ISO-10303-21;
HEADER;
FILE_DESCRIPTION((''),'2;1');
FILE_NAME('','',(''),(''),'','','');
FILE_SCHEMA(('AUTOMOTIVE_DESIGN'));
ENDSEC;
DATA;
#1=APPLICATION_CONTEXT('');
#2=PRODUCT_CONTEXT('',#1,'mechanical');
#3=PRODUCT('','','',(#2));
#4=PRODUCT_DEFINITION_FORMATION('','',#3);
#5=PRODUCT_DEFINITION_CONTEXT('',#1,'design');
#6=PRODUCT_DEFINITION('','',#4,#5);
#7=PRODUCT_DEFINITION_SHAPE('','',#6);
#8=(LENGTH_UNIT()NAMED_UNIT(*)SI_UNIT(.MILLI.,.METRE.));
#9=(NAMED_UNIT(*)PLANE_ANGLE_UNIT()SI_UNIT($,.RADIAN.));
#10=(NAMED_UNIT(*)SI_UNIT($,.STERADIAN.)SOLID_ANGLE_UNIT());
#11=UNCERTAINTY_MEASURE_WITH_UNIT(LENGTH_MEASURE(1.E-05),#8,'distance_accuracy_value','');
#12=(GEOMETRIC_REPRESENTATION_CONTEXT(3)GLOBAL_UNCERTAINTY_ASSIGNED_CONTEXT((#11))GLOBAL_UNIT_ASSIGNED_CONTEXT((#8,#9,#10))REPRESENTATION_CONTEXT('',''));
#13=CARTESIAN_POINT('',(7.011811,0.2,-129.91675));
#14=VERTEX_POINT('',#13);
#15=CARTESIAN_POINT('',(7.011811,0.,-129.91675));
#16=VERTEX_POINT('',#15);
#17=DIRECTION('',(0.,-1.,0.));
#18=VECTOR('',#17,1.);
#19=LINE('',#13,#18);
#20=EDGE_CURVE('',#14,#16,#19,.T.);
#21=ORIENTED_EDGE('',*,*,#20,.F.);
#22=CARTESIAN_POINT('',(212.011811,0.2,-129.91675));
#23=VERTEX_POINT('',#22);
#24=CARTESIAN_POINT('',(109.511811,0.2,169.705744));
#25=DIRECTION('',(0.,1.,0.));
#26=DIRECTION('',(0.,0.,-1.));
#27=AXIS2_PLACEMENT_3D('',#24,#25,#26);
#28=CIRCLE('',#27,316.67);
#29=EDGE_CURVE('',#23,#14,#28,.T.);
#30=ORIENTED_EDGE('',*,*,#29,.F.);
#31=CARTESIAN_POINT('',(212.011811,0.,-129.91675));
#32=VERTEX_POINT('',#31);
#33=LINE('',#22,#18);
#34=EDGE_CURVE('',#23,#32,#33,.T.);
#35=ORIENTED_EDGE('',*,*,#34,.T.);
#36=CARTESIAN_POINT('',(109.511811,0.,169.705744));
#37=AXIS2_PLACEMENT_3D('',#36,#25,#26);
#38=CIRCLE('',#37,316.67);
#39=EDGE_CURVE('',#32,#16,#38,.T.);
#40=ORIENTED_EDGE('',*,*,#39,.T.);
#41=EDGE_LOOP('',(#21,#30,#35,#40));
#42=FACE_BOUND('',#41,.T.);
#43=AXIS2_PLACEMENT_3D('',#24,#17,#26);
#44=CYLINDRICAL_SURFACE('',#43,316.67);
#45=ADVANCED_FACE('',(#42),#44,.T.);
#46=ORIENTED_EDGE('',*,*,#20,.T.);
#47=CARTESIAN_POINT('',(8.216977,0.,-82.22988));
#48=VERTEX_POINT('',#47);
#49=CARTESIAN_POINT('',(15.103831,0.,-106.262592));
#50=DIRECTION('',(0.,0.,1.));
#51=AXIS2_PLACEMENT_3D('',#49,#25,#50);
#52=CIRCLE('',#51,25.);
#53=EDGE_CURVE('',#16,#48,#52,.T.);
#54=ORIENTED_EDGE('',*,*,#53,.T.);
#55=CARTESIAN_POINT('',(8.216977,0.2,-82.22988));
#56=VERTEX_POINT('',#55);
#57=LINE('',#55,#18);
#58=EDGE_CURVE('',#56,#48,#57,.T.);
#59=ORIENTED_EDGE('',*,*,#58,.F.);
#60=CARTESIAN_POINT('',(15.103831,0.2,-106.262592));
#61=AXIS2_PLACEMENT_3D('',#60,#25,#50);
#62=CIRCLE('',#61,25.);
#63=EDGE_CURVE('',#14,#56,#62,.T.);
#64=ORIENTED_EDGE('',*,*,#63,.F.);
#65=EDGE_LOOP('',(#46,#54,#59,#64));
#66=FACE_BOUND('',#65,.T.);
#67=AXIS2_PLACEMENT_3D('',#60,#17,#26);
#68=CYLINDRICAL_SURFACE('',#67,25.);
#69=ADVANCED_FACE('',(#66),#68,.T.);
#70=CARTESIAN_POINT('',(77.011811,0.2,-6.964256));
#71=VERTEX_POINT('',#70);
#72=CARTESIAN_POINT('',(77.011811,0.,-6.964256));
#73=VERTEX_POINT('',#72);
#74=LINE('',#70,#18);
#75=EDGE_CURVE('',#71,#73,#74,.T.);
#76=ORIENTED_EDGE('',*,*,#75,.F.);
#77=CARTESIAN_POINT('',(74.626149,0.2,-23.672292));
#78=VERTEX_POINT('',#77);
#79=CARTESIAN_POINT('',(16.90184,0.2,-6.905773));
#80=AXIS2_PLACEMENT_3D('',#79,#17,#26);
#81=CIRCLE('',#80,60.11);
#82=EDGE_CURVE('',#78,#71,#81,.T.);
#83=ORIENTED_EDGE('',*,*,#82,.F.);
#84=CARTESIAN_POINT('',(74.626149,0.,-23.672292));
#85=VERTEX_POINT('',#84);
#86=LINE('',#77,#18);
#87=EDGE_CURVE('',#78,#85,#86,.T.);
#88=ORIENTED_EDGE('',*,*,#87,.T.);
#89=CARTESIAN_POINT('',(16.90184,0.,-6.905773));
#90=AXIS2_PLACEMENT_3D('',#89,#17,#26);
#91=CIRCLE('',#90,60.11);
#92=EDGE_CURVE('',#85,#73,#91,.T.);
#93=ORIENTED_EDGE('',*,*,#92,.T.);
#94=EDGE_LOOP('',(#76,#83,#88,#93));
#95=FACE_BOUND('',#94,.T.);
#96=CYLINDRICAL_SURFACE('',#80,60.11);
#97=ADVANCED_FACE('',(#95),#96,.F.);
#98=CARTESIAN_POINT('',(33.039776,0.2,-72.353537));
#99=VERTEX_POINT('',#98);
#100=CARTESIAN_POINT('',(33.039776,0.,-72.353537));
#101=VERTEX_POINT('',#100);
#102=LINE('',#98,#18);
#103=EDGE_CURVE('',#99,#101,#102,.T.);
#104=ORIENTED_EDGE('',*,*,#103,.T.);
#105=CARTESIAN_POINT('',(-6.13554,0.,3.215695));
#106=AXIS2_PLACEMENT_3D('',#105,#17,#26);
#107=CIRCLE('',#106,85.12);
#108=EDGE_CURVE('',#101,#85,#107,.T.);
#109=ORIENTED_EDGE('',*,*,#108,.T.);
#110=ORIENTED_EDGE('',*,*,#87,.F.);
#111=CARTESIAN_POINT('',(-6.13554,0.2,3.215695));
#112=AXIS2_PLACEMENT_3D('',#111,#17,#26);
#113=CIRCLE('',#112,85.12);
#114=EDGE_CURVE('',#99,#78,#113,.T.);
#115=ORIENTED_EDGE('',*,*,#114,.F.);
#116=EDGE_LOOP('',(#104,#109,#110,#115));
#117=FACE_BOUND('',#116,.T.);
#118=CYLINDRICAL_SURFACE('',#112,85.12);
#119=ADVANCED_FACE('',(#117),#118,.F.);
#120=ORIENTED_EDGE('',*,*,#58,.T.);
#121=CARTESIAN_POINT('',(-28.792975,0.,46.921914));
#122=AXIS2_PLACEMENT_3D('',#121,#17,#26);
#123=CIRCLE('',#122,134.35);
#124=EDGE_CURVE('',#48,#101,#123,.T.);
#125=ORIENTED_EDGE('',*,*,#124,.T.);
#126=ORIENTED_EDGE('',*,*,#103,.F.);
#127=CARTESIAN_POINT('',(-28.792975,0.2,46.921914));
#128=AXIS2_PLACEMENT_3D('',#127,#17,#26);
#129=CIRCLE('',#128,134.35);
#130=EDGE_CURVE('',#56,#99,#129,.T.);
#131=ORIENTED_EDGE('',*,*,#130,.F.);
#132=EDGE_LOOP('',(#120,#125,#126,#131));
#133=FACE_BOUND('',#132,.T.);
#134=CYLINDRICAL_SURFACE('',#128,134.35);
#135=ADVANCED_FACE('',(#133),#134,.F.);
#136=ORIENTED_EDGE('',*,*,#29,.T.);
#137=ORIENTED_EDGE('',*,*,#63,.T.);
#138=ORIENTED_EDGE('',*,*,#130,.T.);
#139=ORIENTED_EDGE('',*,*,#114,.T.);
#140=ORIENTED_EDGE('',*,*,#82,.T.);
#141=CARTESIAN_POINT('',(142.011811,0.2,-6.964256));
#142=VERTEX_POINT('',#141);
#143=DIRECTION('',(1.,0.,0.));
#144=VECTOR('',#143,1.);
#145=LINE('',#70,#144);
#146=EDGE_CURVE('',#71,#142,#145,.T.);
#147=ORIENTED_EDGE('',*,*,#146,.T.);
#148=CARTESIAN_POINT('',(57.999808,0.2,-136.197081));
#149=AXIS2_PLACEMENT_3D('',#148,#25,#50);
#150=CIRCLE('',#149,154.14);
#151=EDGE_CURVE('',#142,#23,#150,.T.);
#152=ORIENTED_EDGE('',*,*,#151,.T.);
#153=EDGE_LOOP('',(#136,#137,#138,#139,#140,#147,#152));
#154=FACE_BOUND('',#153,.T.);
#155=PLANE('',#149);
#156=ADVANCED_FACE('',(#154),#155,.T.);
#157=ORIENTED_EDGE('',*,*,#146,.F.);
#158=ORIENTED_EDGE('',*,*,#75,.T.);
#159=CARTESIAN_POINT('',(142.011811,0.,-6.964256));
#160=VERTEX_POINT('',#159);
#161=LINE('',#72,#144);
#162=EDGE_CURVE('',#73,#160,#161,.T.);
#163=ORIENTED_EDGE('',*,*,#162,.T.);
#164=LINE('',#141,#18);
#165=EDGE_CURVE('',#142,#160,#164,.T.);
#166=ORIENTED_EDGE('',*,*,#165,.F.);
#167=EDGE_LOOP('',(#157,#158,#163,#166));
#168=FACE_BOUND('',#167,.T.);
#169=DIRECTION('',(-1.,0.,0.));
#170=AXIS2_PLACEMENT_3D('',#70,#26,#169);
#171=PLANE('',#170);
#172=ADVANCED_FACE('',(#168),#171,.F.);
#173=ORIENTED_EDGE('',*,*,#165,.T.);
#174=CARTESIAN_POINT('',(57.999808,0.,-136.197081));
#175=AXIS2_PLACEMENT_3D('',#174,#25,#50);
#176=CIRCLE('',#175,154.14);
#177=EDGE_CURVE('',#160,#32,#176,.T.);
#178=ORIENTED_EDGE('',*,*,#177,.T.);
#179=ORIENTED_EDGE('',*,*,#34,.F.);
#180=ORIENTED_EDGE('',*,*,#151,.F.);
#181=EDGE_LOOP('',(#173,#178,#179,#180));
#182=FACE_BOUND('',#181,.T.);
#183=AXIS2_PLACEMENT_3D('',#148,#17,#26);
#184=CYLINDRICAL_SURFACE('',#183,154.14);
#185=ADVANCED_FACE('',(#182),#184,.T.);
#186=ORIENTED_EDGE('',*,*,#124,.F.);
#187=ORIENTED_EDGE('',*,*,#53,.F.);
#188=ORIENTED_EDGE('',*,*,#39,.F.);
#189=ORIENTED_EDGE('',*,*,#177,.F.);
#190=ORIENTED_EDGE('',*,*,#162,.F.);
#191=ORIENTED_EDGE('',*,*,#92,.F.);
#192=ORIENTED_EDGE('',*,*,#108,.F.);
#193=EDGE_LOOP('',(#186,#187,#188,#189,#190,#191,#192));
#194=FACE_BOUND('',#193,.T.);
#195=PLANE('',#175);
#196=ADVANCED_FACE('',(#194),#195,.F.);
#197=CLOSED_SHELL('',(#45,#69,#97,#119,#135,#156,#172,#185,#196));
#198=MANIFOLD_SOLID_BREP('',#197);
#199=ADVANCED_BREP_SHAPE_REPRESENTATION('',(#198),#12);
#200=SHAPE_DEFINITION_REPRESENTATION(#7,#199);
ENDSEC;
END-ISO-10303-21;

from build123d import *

# Parameters (mm, degrees)
BOSS_EXTRUDE1_DEPTH = 0.2


with BuildPart() as part:
    # Sketch1 → Boss-Extrude1 (new body)
    with BuildSketch(Plane(origin=(0, 0, 0), x_dir=(1, 0, 0), z_dir=(0, 1, 0))):
        with BuildLine():
            Line((77.011811156, 6.964256389), (142.011811156, 6.964256389))
            ThreePointArc((142.011811156, 6.964256389), (191.951985459, 59.934679973), (212.011811156, 129.916750371))
            ThreePointArc((212.011811156, 129.916750371), (109.511811156, 146.964256389), (7.011811156, 129.916750371))
            ThreePointArc((7.011811156, 129.916750371), (-9.888188844, 105.630981207), (8.216977412, 82.229879978))
            ThreePointArc((8.216977412, 82.229879978), (20.874474734, 77.910240919), (33.039776466, 72.353537417))
            ThreePointArc((33.039776466, 72.353537417), (58.584528324, 52.071980536), (74.626149336, 23.672292292))
            ThreePointArc((74.626149336, 23.672292292), (76.408302088, 15.402420833), (77.011811156, 6.964256389))
        make_face()
    extrude(amount=BOSS_EXTRUDE1_DEPTH)


solid = part.part
